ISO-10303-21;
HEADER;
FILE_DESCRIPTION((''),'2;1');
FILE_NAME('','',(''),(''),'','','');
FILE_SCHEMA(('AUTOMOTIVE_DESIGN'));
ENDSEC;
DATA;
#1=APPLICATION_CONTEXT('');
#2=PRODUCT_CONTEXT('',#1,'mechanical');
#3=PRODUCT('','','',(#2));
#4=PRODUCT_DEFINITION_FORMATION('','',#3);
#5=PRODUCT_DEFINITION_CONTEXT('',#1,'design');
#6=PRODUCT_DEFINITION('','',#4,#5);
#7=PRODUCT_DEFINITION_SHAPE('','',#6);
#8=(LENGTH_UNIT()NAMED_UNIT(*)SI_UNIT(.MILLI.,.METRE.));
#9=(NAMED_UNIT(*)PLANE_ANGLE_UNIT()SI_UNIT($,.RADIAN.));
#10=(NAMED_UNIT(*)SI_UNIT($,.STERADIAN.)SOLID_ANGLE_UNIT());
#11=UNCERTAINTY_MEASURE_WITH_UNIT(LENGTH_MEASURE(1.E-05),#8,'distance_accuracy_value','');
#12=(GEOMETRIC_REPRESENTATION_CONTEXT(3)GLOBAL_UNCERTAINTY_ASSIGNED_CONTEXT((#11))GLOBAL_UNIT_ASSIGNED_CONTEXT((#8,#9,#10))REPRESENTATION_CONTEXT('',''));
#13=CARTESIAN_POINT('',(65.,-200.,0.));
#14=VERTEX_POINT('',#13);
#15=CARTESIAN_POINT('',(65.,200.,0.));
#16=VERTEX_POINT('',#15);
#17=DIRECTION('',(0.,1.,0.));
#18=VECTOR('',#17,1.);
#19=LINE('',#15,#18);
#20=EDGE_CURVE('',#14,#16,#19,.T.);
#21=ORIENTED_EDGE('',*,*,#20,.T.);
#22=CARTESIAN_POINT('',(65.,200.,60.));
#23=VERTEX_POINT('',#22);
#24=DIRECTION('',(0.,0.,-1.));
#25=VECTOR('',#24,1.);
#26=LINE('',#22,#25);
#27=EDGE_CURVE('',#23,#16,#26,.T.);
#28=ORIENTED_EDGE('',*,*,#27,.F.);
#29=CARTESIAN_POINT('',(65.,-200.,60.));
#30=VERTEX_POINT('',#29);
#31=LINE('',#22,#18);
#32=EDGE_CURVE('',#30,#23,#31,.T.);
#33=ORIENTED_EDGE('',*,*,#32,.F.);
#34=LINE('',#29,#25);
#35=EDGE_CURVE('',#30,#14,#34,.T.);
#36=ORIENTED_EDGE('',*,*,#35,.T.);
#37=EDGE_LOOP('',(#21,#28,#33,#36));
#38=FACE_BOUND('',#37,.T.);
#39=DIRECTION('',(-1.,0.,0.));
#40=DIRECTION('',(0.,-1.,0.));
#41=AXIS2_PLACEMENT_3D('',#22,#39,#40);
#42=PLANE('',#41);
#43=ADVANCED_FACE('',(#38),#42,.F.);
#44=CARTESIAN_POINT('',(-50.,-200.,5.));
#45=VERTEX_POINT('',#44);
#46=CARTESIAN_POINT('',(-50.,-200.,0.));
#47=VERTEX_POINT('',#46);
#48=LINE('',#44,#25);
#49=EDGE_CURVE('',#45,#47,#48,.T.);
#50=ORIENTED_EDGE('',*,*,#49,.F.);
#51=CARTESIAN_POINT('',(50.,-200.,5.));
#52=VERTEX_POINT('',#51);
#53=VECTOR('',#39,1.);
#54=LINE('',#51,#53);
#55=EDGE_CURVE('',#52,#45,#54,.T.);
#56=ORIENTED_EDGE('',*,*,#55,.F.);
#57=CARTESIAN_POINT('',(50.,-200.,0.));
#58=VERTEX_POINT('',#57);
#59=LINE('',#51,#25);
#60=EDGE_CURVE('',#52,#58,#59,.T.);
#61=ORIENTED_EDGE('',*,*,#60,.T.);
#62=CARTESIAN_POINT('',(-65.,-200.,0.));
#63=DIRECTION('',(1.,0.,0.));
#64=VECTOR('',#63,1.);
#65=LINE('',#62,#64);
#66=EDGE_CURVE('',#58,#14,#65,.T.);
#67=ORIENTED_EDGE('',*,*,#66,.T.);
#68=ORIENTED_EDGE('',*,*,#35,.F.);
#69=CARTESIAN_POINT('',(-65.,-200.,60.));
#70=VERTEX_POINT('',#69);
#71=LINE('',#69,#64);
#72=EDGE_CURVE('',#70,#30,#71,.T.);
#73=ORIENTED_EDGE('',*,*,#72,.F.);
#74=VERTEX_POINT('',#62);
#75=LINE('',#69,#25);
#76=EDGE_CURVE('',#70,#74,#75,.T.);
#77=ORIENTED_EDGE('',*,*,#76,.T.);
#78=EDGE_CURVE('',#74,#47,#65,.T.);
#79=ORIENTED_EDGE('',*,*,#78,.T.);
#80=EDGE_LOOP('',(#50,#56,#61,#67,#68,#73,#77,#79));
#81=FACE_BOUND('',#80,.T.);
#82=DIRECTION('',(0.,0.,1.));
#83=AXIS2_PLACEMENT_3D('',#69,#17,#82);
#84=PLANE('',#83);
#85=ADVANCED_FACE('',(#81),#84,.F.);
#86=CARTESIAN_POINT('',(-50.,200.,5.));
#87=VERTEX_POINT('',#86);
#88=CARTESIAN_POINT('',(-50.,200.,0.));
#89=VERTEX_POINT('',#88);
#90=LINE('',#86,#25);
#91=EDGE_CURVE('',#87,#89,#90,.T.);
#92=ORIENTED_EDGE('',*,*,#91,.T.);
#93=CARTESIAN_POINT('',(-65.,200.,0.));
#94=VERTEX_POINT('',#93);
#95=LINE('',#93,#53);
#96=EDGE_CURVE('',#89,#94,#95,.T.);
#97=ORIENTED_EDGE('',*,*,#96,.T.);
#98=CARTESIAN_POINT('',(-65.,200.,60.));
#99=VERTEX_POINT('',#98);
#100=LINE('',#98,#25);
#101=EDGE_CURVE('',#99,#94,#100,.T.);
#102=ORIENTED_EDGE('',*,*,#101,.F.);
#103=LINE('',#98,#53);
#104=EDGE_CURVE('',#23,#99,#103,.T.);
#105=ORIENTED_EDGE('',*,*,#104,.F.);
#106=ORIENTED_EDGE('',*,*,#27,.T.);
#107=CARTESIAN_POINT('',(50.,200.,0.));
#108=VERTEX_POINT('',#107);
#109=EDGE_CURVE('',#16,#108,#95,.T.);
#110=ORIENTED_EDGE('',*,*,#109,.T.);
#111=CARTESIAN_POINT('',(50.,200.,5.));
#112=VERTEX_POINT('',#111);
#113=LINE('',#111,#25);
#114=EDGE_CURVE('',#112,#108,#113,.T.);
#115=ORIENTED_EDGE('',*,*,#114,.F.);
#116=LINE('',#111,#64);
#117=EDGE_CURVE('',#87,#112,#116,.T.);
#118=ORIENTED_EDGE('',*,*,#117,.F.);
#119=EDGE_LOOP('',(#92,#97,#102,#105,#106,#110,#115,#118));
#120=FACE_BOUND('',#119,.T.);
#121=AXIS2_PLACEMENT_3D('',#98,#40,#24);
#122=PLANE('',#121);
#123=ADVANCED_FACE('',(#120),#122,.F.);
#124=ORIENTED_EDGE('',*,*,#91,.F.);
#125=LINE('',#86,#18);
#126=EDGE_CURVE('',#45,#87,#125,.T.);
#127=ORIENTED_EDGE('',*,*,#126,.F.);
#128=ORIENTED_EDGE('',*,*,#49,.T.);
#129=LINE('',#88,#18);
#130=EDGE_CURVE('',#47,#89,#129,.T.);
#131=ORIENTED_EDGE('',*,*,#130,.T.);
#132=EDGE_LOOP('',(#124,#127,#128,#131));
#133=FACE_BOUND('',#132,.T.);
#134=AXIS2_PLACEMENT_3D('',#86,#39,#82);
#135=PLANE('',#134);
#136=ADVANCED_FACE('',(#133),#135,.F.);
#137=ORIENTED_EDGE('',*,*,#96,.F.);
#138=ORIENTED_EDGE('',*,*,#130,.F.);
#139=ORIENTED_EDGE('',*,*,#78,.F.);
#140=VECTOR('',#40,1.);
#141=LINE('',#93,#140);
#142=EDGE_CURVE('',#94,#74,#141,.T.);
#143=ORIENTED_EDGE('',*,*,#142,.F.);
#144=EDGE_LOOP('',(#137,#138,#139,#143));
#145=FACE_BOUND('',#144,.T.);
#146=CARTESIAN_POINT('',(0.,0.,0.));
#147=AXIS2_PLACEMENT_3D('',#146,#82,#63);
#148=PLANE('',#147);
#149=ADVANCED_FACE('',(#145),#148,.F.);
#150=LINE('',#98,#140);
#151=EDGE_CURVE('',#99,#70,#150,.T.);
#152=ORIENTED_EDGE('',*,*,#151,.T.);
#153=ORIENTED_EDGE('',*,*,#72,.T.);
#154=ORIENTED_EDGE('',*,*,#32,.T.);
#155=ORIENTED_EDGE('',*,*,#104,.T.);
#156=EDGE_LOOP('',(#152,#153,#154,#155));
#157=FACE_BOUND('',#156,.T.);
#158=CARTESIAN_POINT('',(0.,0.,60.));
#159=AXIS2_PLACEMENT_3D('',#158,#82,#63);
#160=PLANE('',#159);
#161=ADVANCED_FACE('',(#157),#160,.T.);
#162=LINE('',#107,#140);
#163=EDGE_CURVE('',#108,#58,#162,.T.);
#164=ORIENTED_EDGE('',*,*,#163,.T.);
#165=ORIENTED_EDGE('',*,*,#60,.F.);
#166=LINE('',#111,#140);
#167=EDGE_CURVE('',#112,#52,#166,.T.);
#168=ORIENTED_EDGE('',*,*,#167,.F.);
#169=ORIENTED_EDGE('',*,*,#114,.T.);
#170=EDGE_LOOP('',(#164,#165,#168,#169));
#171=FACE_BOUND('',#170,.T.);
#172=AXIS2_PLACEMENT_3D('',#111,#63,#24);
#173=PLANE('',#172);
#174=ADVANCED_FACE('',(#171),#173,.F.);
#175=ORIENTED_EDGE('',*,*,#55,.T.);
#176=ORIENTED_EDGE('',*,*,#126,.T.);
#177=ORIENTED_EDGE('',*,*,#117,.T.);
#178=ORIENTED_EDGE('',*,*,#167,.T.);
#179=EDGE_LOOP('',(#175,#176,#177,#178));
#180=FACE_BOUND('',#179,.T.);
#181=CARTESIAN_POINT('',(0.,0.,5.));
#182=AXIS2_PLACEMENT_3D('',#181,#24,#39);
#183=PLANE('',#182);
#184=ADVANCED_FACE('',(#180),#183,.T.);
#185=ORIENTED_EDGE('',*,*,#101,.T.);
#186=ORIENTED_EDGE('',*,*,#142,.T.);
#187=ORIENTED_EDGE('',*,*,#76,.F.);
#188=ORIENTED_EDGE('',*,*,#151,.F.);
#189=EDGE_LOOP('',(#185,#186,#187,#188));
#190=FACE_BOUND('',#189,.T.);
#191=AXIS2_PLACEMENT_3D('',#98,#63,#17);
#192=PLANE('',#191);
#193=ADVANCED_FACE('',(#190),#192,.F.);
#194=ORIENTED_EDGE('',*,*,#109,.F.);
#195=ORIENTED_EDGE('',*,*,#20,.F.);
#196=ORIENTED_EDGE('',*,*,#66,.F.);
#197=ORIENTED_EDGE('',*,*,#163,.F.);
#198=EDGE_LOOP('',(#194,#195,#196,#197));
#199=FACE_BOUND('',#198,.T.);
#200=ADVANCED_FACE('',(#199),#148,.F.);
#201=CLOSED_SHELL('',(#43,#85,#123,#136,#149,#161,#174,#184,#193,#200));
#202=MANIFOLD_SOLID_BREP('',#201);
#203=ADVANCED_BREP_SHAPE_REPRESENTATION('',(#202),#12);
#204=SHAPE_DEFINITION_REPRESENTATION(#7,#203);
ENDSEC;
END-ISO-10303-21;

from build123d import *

# Parameters (mm, degrees)
SKETCH1_W           = 130
SKETCH1_H           = 400
BOSS_EXTRUDE1_DEPTH = 60
SKETCH2_W           = 100
SKETCH2_H           = 400
CUT_EXTRUDE1_DEPTH  = 5


with BuildPart() as part:
    # Sketch1 → Boss-Extrude1 (new body)
    with BuildSketch(Plane.XY):
        Rectangle(SKETCH1_W, SKETCH1_H)
    extrude(amount=BOSS_EXTRUDE1_DEPTH)

    # Sketch2 → Cut-Extrude1 (cut)
    with BuildSketch(Plane(origin=(0, 0, 0), x_dir=(-1, 0, 0), z_dir=(0, 0, -1))):
        Rectangle(SKETCH2_W, SKETCH2_H)
    extrude(amount=-CUT_EXTRUDE1_DEPTH, mode=Mode.SUBTRACT)


solid = part.part
